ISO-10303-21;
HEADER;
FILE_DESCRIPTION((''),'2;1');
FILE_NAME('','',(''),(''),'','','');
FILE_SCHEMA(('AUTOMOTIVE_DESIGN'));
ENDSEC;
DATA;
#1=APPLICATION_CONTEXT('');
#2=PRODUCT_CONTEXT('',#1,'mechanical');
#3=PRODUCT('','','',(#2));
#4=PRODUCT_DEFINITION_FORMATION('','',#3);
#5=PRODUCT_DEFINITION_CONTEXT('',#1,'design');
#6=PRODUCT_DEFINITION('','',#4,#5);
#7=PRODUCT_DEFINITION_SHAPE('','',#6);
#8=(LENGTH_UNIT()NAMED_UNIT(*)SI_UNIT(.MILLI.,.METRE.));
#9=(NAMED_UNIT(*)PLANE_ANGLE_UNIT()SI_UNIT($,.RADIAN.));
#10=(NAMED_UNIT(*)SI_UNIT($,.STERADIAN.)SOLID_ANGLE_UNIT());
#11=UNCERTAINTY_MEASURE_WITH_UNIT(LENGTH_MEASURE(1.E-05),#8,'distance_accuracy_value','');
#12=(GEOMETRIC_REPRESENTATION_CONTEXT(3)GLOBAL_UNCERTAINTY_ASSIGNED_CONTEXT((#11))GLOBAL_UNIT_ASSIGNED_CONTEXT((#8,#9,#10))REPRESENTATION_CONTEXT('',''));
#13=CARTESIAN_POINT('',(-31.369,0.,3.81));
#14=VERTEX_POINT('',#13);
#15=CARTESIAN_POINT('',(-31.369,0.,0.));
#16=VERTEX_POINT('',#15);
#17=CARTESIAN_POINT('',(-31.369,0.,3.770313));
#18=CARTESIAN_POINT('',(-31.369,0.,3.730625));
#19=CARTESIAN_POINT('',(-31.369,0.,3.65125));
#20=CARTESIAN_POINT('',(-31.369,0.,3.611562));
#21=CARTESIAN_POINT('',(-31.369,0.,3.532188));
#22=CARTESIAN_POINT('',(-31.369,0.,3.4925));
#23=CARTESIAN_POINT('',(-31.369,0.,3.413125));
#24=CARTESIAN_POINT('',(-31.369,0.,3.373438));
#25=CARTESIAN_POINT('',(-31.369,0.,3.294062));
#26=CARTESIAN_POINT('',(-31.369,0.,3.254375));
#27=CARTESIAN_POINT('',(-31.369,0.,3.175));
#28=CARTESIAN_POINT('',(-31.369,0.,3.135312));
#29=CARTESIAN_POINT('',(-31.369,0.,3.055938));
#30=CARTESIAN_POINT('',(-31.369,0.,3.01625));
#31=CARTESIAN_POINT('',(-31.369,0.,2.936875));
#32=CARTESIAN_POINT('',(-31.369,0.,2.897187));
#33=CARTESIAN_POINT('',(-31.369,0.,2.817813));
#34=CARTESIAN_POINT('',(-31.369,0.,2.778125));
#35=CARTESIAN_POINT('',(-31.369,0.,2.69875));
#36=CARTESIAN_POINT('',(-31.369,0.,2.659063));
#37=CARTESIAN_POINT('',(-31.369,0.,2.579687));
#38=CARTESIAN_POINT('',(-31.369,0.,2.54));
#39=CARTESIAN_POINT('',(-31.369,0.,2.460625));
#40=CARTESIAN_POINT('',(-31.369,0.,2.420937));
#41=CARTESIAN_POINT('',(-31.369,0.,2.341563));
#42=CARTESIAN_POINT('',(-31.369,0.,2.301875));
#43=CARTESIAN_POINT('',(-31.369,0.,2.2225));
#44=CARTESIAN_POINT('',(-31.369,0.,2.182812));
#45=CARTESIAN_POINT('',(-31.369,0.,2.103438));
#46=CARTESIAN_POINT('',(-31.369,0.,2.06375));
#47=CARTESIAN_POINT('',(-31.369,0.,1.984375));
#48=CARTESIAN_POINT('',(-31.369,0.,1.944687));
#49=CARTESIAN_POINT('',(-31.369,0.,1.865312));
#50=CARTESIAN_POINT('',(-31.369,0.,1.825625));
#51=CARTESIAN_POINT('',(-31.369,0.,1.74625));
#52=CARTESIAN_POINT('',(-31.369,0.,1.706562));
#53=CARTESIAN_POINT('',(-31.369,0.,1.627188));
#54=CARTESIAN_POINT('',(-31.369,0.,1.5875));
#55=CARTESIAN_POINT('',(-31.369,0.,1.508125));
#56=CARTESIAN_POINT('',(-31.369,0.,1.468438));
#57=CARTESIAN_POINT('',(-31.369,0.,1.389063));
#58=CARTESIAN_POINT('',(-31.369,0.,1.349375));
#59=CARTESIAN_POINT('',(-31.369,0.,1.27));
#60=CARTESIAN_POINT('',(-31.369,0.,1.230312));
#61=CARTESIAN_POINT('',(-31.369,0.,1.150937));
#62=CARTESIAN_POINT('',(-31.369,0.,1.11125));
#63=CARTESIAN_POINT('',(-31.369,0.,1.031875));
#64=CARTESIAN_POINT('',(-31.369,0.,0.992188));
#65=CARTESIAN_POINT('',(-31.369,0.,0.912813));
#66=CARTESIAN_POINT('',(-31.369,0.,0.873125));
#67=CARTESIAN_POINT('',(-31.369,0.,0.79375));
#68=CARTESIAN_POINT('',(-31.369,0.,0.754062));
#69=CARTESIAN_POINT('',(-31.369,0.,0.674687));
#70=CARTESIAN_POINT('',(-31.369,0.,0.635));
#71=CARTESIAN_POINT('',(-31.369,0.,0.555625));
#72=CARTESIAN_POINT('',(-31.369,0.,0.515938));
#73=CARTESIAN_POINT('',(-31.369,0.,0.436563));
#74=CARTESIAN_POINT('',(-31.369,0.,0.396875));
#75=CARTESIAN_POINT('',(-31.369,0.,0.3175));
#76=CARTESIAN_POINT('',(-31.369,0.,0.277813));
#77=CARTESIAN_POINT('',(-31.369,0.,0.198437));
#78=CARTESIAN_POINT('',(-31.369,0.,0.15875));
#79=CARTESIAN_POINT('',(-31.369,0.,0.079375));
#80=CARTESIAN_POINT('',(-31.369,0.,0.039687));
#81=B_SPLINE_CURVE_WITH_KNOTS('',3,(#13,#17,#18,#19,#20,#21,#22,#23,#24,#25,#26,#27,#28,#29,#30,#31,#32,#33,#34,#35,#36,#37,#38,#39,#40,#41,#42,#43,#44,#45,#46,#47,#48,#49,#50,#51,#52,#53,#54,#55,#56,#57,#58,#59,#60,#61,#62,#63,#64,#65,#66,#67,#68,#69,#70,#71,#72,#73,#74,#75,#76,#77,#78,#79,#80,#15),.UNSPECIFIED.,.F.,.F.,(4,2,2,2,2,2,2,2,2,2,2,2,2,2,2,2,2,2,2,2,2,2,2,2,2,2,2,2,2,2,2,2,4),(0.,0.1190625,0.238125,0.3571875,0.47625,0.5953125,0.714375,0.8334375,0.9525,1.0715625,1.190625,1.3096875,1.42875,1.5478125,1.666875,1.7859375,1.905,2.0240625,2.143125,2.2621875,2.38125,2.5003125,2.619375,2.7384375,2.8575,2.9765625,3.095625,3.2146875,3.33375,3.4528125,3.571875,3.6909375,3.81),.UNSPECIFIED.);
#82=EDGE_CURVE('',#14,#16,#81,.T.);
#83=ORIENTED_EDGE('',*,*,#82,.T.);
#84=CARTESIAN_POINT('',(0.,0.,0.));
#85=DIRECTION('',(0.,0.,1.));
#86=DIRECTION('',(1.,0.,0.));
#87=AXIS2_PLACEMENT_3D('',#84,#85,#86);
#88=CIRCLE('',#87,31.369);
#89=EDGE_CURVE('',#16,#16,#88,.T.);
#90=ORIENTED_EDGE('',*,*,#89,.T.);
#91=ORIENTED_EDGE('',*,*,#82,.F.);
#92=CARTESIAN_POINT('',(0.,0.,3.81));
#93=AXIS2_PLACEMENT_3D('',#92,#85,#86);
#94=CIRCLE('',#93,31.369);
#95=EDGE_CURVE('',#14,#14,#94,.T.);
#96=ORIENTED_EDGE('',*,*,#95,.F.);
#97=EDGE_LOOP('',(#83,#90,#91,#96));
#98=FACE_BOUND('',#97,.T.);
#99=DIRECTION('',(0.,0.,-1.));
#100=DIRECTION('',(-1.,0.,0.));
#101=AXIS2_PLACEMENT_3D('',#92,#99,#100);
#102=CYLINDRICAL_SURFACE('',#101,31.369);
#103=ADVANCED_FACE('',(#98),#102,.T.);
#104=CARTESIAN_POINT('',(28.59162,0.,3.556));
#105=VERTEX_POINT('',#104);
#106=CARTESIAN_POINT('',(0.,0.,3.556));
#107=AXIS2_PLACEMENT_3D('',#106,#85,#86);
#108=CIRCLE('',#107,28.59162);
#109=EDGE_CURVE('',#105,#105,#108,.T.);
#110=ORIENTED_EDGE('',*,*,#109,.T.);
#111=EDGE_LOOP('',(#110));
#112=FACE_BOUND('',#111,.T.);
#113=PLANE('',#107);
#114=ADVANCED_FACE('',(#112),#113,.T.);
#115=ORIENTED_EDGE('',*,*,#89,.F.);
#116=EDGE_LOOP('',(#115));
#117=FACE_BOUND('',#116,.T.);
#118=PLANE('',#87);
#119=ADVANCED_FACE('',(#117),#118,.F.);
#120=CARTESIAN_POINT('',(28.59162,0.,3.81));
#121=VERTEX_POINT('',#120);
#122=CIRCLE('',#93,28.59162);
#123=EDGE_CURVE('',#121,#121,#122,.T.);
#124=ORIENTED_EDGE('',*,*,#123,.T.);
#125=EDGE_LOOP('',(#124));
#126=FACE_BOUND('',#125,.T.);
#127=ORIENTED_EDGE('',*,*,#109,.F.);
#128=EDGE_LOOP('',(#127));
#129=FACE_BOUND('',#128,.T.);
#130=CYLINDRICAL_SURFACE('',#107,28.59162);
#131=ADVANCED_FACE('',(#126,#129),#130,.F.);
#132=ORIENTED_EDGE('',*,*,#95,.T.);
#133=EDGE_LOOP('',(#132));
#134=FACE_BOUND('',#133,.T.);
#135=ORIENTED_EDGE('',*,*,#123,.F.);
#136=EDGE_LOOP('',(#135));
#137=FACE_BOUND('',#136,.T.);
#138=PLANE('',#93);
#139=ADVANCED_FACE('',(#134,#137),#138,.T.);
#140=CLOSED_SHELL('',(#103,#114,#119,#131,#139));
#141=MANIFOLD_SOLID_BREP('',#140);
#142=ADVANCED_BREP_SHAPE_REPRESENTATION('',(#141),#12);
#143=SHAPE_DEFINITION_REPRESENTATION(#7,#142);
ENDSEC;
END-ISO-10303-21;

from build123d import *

# Parameters (mm, degrees)
SKETCH1_R           = 31.369
BOSS_EXTRUDE1_DEPTH = 3.81
SKETCH2_R           = 28.591620057
CUT_EXTRUDE2_DEPTH  = 0.254


with BuildPart() as part:
    # Sketch1 → Boss-Extrude1 (new body)
    with BuildSketch(Plane.XY):
        with Locations(Location((0, 0, 0), (0, 0, 180))):
            Circle(SKETCH1_R)
    extrude(amount=BOSS_EXTRUDE1_DEPTH)

    # Sketch2 → Cut-Extrude2 (cut)
    with BuildSketch(Plane.XY.offset(3.81)):
        Circle(SKETCH2_R)
    extrude(amount=-CUT_EXTRUDE2_DEPTH, mode=Mode.SUBTRACT)


solid = part.part
